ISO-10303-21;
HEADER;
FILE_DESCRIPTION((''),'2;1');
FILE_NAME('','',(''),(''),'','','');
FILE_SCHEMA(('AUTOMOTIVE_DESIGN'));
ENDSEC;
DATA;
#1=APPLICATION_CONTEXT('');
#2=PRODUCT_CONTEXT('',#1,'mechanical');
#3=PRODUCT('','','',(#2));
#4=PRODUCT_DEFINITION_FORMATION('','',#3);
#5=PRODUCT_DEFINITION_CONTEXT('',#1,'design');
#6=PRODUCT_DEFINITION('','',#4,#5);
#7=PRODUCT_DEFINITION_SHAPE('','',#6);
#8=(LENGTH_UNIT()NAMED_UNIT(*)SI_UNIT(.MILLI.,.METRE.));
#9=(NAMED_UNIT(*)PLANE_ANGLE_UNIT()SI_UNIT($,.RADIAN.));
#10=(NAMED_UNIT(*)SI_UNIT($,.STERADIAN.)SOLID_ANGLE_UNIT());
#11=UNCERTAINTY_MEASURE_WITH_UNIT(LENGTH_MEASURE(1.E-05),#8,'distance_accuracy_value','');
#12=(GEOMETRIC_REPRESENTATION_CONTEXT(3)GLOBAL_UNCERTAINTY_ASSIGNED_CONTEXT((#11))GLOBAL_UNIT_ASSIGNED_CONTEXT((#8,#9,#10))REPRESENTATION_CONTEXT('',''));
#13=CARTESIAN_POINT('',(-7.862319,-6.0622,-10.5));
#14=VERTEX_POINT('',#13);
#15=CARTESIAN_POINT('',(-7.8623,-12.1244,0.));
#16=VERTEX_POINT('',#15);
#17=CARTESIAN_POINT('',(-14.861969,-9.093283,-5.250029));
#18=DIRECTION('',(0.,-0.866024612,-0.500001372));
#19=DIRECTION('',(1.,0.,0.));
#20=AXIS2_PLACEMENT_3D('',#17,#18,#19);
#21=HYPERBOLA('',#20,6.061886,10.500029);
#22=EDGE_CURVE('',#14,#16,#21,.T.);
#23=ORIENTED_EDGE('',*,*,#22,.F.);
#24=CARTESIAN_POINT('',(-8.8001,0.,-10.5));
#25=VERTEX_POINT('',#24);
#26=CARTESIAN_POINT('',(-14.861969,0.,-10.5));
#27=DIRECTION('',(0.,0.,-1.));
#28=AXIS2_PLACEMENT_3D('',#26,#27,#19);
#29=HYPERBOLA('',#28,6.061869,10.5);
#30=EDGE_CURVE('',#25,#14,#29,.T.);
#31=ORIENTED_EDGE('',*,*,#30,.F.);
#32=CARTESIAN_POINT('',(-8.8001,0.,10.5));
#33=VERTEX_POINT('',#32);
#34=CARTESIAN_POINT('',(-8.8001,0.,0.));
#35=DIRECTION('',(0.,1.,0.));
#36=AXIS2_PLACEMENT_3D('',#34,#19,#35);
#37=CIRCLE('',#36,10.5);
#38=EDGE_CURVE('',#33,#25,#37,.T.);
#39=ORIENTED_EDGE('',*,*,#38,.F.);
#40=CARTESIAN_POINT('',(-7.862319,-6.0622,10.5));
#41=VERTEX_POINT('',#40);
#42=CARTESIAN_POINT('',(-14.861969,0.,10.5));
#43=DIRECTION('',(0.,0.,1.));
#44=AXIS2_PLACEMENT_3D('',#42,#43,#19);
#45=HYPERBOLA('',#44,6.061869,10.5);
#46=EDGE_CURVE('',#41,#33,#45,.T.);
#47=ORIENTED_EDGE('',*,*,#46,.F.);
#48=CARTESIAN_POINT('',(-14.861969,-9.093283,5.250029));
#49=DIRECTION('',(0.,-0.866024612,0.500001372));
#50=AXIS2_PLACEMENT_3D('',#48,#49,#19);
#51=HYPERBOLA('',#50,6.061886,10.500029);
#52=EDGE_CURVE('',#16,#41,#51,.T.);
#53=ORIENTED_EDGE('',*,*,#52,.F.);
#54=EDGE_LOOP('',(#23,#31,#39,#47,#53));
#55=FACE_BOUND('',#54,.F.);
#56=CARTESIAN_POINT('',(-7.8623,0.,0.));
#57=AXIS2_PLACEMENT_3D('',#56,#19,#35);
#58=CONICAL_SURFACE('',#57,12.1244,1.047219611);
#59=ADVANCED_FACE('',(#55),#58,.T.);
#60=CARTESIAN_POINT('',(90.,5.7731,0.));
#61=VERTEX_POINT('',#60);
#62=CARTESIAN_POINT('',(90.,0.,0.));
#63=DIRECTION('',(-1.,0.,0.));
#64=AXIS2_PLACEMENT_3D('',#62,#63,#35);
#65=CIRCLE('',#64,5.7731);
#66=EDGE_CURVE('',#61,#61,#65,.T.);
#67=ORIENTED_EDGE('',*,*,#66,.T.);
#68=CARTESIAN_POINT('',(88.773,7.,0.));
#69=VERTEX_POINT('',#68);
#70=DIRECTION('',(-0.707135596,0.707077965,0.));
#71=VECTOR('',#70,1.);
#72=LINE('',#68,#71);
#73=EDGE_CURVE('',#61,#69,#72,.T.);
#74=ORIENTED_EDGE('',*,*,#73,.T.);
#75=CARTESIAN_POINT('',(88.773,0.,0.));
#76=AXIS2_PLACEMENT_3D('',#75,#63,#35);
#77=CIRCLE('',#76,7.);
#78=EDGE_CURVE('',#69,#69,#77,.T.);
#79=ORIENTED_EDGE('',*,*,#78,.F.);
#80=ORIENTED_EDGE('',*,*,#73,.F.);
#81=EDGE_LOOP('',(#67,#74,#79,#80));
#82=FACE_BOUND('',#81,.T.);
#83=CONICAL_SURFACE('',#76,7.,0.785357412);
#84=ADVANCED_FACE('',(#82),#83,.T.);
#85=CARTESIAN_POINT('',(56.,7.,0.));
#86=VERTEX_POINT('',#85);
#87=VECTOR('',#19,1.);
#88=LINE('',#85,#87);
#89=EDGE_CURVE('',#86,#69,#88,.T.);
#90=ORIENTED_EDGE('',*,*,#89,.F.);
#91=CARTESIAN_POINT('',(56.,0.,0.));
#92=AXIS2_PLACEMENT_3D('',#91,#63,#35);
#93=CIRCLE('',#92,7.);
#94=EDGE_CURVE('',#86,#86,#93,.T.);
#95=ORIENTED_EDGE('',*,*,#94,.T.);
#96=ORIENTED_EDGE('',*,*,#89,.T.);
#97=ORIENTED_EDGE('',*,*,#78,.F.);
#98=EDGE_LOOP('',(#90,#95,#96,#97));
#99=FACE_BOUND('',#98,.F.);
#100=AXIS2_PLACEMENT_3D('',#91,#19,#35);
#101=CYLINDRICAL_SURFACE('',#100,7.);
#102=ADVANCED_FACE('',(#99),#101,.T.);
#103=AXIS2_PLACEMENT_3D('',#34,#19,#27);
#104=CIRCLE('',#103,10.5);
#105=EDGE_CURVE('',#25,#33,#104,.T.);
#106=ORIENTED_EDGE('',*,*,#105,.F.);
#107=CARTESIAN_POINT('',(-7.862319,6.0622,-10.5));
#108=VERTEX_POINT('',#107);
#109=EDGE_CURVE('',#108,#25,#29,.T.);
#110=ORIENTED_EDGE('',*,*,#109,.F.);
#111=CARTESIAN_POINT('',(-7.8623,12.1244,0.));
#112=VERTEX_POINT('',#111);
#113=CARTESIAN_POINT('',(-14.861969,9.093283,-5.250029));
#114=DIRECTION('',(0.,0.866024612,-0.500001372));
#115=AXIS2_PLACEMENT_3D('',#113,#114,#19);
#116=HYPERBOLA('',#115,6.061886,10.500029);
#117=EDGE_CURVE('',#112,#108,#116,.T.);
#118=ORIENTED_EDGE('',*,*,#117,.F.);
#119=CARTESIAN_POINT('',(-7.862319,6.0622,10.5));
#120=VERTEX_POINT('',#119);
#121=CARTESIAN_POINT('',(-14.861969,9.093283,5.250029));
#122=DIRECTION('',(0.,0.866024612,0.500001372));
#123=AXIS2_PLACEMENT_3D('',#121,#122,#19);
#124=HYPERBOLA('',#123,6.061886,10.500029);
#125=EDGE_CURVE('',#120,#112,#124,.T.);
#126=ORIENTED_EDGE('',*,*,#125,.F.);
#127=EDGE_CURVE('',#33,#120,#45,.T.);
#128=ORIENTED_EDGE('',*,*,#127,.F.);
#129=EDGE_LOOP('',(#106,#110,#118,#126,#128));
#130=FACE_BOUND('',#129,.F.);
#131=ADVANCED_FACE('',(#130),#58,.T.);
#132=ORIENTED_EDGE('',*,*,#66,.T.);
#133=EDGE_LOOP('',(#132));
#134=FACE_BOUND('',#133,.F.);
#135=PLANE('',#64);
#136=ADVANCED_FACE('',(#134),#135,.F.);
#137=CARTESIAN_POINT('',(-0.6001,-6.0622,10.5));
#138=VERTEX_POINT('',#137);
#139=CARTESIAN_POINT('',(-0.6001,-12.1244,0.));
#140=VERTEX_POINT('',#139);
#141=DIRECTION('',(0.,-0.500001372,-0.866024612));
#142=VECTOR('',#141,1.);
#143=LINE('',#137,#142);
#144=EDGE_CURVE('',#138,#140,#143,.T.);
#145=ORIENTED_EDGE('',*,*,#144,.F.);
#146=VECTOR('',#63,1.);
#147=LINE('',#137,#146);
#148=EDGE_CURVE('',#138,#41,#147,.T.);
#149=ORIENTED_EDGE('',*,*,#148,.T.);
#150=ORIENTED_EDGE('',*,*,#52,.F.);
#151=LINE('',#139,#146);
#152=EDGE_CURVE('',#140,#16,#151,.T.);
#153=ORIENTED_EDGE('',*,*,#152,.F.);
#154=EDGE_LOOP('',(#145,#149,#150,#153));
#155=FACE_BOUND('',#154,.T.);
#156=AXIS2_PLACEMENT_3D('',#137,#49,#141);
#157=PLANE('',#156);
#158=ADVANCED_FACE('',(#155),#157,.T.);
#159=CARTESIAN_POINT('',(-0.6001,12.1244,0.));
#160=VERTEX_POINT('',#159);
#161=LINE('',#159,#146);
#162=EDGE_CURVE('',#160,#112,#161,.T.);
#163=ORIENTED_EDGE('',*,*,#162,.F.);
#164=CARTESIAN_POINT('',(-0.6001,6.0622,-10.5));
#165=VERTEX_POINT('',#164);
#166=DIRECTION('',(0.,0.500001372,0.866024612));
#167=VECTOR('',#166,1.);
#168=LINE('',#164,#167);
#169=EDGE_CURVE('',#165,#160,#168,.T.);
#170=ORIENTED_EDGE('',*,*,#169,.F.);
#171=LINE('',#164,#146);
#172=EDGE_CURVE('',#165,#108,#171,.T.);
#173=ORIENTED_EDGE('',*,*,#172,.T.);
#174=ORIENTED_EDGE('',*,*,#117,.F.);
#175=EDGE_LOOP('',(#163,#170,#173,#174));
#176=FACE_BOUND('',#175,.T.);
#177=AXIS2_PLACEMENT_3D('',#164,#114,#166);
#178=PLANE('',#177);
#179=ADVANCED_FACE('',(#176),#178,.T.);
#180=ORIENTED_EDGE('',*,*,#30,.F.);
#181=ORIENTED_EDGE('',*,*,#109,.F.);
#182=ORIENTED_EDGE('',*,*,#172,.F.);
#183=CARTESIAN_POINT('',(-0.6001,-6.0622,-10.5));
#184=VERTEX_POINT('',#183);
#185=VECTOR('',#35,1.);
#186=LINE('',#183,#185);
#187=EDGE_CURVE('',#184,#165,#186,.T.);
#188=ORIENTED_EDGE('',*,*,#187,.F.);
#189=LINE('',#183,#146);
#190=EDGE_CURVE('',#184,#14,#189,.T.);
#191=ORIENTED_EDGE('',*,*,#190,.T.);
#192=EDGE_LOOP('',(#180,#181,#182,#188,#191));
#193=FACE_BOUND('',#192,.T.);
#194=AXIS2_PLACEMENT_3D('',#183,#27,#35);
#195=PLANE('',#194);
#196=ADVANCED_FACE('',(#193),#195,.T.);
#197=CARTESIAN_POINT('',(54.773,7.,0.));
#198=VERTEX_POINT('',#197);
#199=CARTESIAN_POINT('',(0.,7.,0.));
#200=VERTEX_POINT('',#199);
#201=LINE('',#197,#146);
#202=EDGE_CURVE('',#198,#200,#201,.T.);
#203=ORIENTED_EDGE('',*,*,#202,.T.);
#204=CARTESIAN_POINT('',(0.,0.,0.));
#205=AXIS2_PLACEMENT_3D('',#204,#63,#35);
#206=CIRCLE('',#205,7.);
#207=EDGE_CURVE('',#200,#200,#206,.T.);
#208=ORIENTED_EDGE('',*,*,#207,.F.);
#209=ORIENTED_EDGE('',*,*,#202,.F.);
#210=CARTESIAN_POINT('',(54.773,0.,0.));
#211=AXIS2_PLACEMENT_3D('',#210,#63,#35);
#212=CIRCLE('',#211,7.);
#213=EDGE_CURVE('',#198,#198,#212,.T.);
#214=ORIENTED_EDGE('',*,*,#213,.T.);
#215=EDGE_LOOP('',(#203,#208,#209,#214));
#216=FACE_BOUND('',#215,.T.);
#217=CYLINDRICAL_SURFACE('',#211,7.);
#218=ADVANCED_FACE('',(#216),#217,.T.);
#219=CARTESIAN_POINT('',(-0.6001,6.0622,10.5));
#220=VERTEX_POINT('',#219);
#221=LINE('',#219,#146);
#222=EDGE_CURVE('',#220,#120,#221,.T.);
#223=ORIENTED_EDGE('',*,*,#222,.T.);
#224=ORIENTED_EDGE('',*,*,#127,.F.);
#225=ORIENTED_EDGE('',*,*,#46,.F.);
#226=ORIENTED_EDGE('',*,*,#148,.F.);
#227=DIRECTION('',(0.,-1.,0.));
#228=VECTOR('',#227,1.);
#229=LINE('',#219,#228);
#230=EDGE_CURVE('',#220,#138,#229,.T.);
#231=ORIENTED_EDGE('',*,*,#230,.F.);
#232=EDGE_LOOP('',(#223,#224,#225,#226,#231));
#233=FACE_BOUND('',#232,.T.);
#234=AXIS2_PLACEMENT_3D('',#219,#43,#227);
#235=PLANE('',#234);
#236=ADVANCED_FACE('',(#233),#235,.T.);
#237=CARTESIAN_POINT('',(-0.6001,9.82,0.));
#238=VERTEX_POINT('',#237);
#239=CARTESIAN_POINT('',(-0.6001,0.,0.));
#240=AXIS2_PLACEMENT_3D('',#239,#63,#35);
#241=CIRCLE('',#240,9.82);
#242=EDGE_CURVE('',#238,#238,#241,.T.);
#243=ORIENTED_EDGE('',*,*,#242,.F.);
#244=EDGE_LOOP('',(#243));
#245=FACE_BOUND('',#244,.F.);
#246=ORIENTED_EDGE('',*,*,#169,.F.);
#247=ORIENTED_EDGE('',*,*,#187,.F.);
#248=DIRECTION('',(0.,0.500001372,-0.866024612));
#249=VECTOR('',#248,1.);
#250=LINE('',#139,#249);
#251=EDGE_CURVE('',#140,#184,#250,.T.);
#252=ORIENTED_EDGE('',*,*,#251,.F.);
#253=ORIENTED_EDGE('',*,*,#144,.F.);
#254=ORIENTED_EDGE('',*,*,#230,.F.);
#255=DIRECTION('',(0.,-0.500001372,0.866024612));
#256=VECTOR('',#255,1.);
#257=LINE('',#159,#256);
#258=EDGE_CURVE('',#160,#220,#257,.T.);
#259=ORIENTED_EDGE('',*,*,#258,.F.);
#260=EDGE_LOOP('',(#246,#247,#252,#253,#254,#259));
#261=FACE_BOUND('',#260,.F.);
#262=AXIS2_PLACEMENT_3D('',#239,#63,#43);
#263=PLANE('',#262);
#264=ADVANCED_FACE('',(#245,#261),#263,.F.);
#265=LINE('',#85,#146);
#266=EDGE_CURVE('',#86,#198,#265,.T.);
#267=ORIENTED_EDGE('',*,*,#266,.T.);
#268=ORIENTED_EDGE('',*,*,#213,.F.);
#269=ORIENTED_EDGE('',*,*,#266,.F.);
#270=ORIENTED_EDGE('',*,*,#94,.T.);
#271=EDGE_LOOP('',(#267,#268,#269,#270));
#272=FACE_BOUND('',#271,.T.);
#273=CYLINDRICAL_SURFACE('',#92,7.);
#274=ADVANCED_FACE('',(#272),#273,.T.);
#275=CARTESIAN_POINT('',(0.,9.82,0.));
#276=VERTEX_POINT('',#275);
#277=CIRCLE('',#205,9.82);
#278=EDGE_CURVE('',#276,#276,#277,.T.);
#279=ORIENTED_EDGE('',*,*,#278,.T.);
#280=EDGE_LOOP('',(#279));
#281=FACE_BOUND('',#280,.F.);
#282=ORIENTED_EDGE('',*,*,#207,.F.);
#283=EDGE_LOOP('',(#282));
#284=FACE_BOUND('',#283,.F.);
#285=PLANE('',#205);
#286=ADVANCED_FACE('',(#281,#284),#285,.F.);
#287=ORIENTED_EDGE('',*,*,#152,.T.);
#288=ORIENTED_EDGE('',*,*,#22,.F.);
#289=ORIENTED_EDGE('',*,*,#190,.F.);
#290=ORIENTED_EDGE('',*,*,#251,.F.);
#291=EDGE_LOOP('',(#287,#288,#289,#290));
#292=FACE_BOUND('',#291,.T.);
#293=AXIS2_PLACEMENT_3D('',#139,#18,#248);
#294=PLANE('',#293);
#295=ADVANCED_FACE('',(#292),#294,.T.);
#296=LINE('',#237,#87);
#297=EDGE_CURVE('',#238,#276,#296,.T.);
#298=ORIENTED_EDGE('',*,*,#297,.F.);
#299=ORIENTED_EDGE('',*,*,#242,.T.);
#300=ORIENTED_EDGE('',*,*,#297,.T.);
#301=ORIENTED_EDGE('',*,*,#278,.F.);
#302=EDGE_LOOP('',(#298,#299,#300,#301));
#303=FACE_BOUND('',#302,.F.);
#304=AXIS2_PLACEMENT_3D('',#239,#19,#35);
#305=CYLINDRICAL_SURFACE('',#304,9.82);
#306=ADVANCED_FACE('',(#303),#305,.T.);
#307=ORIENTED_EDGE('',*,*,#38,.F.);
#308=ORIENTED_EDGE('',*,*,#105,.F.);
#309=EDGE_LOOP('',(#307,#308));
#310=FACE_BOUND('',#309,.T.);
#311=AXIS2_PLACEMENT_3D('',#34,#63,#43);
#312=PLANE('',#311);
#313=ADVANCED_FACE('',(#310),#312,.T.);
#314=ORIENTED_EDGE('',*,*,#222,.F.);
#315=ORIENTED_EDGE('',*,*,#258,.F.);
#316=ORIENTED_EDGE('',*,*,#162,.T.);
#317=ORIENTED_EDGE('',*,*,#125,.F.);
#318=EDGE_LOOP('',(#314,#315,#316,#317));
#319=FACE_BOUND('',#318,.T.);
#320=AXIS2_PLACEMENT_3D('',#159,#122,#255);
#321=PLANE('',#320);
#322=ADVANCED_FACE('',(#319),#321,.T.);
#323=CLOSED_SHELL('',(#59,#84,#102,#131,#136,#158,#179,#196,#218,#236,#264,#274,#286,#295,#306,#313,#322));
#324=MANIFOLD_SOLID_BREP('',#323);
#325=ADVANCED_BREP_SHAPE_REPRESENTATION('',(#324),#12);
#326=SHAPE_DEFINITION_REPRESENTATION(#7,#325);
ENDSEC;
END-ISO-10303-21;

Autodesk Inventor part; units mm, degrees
ref_plane "YZ Plane" through (0, 0, 0) normal (1, 0, 0) x (0, 1, 0)
ref_plane "XZ Plane" through (0, 0, 0) normal (0, 1, 0) x (-1, 0, 0)
sketch "Sketch1" plane through (0, 0, 0) normal (0, 0, 1) x (1, 0, 0)
  line L0 (0, 9.82) -> (0, 7)
  line L1 (56, 7) -> (90, 7)
  line L2 (90, 7) -> (90, 0)
  line L3 (90, 0) -> (-0.6001, 0)
  line L4 (-18.7201, 0) -> (108.12, 0) projected
  line L5 (-0.6001, 0) -> (-0.6001, 9.82)
  line L6 (-0.6001, 9.82) -> (0, 9.82)
  line L7 (56, 7) -> (54.773, 7)
  line L8 (54.773, 7) -> (0, 7)
  line L9 (0, -1.964) -> (0, 11.784) projected
  dimension "d0" = 90
  dimension "d1" = 34
  dimension "d2" = 14
  dimension "d9" = 0.6001
  dimension "d10" = 19.64
  dimension "d13" = 1.227
  dimension "d14" = 14
revolve "Body" add sketch "Sketch1" angle 360 about axis through (90, 0, 0) along (-1, 0, 0)
sketch "Sketch2" plane through (-0.6001, 0, 0) normal (-1, 0, 0) x (0, 0, 1)
  line L0 (0, 12.1244) -> (10.5, 6.0622)
  line L1 (10.5, 6.0622) -> (10.5, -6.0622)
  line L2 (10.5, -6.0622) -> (0, -12.1244)
  line L3 (0, -12.1244) -> (-10.5, -6.0622)
  line L4 (-10.5, -6.0622) -> (-10.5, 6.0622)
  line L5 (-10.5, 6.0622) -> (0, 12.1244)
  point P0 (0, 0)
  point P1 (0, 0)
  dimension "d11" = 21
extrude "Head" add sketch "Sketch2" along normal blind 8.2
sketch "Sketch4" plane through (0, 0, 0) normal (0, 0, 1) x (1, 0, 0)
  line L0 (-8.8001, 10.5) -> (-8.8001, 12.1244)
  line L1 (-8.8001, 12.1244) -> (-7.8623, 12.1244)
  line L2 (-7.8623, 12.1244) -> (-8.8001, 10.5)
  line L3 (-10.4401, 0) -> (1.0399, 0) projected
  line L4 (-0.6001, 12.1244) -> (-8.8001, 12.1244) projected
  line L5 (-8.8001, 6.0622) -> (-8.8001, 12.1244) projected
  dimension "d5" = 30
  dimension "d19" = 21
revolve "Chamfer1" cut sketch "Sketch4" angle 360 about axis through (-10, 0, 0) along (1, 0, 0)
thread "Thread" size "M14x2" class "6g" standard "ISO Metric profile" length 34
chamfer "Chamfer2" distance 1.2269 distance2 1.227 1 edges at (90, -7, 0) measured on face at (90, -1.3255, -1.9203)
ref_plane "Work Plane1" through (1.525, 0, 0) normal (0, 0, 1) x (1, 0, 0)
equation "\"d11\" = SW"
equation "\"d3\" = KOH - SD"
equation "\"d15\" = GEL"
equation "\"d6\" = -0.5 * SPD + 0.5 * GD"
equation "\"d0\" = NLG"
equation "\"d1\" = GEL"
equation "\"d2\" = GD"
equation "\"d10\" = SD2"
equation "\"d14\" = BDM"
equation "\"d5\" = ANG1"
equation "\"d19\" = SW0"
equation "\"NLG\" = 90"
equation "\"GD\" = NND"
equation "\"BDM\" = NND"
equation "\"KOH\" = 8.8"
equation "\"GEL\" = 34"
equation "\"SW\" = 21"
equation "\"SW0\" = SW"
equation "\"SPD\" = NND - 1.2269 * PTC"
equation "\"SD2\" = 19.64"
equation "\"SD\" = 0.6"
equation "\"ANG1\" = 30deg"
equation "\"GAL\" = 0.61345 * PTC"
equation "\"GUL\" = 0.61345 * PTC"
equation "\"RR\" = 0.6"
equation "\"GD1\" = THREADDIA - 1.2269 * PTC"
equation "\"THREADDIA\" = 14"
equation "\"SDH\" = SD2"
equation "\"TOA\" = 30deg"
equation "\"PTC\" = 2"
equation "\"NND\" = 14"
equation "\"E0\" = 1.155 * SW"
properties part number "ISO 4014 - M14 x 90" material "Stainless Steel, 440C"
